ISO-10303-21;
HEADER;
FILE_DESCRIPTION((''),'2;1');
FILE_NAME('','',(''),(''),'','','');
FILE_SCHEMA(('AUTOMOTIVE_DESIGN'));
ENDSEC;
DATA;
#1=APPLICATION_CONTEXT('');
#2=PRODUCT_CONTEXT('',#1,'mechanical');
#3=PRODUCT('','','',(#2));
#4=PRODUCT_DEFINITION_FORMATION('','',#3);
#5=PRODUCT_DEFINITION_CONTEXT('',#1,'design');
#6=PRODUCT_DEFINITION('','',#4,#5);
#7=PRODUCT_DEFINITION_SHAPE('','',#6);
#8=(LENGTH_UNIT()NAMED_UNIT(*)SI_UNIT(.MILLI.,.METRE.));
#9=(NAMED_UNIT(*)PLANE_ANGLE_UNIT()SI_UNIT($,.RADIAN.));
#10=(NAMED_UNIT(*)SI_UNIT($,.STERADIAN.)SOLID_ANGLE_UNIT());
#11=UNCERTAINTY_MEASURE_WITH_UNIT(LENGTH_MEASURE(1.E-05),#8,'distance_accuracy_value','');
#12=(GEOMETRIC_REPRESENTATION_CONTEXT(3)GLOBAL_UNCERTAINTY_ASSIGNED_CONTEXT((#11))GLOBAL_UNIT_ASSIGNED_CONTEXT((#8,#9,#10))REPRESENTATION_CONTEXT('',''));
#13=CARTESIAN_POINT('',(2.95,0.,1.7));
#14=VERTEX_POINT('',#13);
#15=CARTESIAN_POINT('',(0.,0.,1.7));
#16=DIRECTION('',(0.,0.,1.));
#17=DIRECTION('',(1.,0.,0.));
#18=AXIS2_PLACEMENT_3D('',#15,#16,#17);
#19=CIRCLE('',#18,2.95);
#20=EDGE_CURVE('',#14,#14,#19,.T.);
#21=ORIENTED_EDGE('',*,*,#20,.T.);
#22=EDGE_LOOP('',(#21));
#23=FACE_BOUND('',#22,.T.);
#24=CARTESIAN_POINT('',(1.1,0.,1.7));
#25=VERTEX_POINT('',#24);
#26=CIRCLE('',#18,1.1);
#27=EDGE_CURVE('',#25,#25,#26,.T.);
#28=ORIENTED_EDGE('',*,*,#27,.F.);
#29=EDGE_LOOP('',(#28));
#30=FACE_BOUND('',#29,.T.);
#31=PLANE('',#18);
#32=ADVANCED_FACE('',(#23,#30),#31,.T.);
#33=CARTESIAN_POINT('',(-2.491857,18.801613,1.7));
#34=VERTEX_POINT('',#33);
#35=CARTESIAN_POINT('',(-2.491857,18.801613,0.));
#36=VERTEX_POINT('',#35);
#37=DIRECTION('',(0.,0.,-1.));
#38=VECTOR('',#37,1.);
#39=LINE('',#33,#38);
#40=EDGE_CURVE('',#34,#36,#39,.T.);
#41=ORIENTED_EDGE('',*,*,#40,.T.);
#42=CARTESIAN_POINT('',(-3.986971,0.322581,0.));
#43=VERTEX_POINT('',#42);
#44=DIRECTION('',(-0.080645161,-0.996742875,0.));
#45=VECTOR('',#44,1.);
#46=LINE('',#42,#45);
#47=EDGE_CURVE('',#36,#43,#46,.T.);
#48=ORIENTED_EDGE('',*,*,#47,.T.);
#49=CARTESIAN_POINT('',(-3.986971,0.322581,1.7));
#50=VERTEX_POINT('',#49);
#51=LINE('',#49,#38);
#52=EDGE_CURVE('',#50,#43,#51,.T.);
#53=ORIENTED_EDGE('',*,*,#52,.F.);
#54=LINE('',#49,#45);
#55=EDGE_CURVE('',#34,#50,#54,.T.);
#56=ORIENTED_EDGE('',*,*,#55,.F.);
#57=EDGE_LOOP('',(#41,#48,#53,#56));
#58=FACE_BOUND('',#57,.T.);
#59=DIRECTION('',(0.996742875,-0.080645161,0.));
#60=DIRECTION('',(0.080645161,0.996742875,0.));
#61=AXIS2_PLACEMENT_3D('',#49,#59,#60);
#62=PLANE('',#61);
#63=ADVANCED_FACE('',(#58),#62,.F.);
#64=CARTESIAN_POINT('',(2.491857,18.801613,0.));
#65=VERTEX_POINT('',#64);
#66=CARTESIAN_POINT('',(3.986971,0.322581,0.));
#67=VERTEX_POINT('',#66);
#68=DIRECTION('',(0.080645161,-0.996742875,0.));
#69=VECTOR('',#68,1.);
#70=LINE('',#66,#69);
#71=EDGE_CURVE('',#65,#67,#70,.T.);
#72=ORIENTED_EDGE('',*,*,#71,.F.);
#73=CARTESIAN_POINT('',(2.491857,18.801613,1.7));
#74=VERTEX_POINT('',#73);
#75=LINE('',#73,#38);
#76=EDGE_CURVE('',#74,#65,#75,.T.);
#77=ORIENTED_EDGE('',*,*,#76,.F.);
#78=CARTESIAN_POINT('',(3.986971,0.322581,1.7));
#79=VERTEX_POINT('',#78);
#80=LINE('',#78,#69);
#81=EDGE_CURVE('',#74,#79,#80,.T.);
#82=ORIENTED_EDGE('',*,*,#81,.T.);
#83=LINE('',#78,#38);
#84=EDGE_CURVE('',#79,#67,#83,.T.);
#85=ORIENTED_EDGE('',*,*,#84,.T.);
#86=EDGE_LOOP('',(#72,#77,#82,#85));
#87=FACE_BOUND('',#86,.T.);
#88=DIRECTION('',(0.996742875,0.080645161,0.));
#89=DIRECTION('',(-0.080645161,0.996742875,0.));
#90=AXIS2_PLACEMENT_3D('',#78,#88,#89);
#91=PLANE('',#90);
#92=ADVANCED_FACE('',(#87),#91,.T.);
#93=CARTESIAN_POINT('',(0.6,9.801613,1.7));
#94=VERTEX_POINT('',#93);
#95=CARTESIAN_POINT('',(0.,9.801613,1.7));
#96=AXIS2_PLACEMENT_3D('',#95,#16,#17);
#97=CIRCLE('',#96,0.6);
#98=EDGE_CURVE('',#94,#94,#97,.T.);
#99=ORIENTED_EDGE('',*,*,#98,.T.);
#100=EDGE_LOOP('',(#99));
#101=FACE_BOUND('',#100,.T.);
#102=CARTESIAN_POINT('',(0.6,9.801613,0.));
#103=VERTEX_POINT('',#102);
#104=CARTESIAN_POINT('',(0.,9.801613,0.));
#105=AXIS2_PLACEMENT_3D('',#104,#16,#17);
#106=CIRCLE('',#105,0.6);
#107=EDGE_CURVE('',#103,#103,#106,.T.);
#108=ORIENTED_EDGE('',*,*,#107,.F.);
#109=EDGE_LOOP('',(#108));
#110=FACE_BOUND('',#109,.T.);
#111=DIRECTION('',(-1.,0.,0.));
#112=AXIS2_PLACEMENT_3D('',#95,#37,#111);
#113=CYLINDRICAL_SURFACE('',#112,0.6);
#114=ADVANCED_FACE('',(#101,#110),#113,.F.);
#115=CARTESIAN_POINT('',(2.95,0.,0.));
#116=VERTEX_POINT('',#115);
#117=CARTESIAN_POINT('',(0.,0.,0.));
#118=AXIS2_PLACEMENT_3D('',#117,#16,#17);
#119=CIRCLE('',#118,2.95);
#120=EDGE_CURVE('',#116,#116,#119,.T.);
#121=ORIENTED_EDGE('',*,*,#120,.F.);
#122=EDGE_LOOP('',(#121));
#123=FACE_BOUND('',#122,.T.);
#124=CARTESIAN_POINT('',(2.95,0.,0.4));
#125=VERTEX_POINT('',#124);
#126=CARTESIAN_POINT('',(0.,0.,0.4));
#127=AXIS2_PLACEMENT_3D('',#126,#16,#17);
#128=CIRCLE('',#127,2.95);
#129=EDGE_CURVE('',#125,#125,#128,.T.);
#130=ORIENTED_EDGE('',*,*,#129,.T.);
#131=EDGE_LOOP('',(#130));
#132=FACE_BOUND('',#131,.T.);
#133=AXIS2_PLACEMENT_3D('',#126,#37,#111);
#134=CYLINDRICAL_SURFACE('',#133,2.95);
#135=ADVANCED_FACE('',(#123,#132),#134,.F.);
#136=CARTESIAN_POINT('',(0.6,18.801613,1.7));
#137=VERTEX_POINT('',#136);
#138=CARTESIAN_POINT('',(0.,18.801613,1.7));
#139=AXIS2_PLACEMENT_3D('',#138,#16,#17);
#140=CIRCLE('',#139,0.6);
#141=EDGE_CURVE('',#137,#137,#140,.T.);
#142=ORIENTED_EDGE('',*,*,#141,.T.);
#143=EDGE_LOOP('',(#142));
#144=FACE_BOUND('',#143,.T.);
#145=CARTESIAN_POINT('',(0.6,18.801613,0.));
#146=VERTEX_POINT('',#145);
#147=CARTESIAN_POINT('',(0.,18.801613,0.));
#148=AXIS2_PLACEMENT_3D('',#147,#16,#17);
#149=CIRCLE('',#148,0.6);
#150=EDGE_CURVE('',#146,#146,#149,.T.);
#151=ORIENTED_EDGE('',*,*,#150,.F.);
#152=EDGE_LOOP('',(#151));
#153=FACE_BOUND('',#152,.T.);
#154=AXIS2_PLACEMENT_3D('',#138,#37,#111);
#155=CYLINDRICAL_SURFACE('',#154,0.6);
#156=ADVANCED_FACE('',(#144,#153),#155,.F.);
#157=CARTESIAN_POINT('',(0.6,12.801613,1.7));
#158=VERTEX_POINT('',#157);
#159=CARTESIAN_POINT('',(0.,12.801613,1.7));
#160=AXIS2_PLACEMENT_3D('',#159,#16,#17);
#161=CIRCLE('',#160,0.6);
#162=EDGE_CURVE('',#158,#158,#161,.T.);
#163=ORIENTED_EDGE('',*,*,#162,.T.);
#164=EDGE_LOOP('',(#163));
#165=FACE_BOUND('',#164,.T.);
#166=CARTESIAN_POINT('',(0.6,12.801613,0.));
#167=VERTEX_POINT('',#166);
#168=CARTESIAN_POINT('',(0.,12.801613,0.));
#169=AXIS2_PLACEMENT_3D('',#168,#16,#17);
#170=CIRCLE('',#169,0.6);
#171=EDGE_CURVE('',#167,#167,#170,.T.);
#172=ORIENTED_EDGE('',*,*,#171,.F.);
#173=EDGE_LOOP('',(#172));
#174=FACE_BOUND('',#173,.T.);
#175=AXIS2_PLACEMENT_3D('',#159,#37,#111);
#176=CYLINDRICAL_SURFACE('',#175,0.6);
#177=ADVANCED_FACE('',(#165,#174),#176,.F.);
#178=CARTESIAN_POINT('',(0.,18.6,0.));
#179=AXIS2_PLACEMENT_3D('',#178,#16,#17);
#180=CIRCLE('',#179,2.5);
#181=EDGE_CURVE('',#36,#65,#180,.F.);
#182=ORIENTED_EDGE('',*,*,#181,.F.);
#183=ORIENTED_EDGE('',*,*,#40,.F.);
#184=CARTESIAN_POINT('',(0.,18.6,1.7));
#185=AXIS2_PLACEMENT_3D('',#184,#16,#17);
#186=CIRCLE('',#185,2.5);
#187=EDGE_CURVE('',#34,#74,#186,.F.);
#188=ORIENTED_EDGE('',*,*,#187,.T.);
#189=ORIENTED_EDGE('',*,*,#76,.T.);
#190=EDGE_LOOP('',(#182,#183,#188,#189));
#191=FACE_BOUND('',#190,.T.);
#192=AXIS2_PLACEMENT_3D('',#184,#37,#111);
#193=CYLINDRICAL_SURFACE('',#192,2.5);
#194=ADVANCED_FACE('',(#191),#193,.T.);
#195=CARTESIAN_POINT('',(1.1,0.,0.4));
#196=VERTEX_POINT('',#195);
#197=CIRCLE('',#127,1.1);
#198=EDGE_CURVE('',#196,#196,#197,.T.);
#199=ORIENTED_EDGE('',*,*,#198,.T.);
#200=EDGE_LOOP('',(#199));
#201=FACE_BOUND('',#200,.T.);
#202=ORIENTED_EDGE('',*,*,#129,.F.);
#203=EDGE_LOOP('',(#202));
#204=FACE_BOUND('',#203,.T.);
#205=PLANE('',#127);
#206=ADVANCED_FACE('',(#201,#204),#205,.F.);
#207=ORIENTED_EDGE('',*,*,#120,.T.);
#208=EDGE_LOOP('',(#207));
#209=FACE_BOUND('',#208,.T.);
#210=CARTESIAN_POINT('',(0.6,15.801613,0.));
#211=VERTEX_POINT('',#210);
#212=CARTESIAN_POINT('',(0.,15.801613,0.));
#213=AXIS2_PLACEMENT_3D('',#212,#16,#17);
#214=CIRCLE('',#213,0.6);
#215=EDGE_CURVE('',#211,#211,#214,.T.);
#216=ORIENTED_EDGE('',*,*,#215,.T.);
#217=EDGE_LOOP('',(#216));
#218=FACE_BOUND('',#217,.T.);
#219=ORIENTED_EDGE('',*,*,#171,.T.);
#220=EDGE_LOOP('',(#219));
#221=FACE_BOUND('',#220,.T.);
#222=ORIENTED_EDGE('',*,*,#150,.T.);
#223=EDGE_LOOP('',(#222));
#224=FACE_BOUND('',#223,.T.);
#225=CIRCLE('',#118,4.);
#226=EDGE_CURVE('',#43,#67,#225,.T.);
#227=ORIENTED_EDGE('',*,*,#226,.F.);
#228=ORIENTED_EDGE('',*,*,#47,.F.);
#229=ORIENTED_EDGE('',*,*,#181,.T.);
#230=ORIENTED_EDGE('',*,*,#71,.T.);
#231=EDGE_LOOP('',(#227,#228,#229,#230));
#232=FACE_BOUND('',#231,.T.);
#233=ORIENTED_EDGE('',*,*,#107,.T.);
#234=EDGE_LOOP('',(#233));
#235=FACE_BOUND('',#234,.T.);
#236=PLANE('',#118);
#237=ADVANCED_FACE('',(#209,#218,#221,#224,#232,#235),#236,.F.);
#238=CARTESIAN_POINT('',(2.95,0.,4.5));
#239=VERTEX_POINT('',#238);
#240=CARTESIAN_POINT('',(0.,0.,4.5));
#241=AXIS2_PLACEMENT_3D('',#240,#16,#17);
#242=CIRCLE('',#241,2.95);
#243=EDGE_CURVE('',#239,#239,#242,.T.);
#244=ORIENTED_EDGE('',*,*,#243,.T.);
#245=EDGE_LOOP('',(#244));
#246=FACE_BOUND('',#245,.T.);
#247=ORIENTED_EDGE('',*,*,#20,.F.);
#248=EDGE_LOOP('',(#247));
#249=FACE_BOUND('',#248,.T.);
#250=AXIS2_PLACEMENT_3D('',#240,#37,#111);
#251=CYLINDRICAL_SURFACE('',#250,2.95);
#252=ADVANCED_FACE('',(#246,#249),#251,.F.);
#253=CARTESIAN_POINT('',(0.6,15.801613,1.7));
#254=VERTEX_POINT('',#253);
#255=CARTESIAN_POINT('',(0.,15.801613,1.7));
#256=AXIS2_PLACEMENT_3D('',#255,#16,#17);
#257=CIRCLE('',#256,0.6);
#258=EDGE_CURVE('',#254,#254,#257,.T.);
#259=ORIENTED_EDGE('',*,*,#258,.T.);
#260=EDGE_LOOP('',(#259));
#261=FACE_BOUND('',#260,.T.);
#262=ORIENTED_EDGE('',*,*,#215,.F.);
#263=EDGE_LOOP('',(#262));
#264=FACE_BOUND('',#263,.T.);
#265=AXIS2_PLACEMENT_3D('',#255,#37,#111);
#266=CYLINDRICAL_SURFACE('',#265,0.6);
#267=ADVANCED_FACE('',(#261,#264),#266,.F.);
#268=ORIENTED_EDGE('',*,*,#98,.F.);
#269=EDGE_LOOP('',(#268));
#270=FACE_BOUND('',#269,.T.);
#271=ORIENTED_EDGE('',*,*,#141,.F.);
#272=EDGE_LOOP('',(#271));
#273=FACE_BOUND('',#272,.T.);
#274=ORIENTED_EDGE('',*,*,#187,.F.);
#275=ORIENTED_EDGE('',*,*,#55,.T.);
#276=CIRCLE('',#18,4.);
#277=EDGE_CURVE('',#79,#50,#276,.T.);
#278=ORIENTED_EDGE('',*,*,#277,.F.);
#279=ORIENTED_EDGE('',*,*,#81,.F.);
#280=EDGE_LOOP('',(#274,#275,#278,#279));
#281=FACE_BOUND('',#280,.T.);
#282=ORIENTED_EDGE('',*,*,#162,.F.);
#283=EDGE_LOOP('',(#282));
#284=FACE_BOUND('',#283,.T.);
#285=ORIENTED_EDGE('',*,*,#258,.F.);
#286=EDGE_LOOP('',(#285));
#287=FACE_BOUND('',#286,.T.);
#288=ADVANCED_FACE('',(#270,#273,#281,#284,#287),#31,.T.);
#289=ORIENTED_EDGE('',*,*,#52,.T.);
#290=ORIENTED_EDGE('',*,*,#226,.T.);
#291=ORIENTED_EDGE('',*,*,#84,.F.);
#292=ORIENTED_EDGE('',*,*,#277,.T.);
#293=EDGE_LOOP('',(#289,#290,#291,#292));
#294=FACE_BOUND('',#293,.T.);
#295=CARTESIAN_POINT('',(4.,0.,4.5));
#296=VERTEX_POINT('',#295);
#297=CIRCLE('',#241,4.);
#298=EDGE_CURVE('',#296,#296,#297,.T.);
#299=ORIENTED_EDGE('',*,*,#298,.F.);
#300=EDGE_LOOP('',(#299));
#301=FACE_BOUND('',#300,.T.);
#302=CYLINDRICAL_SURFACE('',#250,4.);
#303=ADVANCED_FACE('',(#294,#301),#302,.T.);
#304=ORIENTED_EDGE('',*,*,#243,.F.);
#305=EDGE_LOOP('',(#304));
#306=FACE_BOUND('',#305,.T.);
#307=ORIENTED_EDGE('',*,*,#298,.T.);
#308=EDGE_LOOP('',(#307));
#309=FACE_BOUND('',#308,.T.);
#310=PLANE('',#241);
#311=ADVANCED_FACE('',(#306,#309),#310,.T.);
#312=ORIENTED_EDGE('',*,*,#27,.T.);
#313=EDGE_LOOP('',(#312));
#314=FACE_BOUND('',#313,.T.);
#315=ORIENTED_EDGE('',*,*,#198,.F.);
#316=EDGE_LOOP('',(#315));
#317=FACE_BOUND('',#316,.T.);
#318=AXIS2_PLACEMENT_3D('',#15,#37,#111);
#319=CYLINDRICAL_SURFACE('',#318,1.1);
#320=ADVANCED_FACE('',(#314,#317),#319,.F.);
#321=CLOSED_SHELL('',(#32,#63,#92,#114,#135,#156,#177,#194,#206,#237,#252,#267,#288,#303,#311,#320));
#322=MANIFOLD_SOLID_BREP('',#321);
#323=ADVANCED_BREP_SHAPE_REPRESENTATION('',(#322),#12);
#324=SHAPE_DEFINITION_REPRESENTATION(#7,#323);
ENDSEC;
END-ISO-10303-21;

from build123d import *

# Parameters (mm, degrees)
SKETCH_1_R          = 4
SKETCH_1_R_2        = 2.95
EXTRUDE_1_DEPTH     = 4.5
SKETCH_1_3_R        = 2.95
SKETCH_1_3_R_2      = 1.1
EXTRUDE_2_DEPTH     = 1.7
SKETCH_1_4_R        = 2.95
SKETCH_1_4_R_2      = 1.1
CUT_EXTRUDE_1_DEPTH = 0.4
SKETCH_2_R          = 0.6
EXTRUDE_3_DEPTH     = 1.7


with BuildPart() as part:
    # Эскиз1 → Бобышка-Вытянуть1 (new body)
    with BuildSketch(Plane.XY):
        Circle(SKETCH_1_R)
        Circle(SKETCH_1_R_2, mode=Mode.SUBTRACT)
    extrude(amount=EXTRUDE_1_DEPTH)

    # Эскиз1<3> → Бобышка-Вытянуть2 (add)
    with BuildSketch(Plane.XY):
        Circle(SKETCH_1_3_R)
        Circle(SKETCH_1_3_R_2, mode=Mode.SUBTRACT)
    extrude(amount=EXTRUDE_2_DEPTH)

    # Эскиз1<4> → Вырез-Вытянуть1 (cut)
    with BuildSketch(Plane.XY):
        Circle(SKETCH_1_4_R)
        Circle(SKETCH_1_4_R_2, mode=Mode.SUBTRACT)
    extrude(amount=CUT_EXTRUDE_1_DEPTH, mode=Mode.SUBTRACT)

    # Эскиз2 → Бобышка-Вытянуть3 (add)
    with BuildSketch(Plane.XY):
        with BuildLine():
            ThreePointArc((2.491857186, 18.801612903), (0, 21.1), (-2.491857186, 18.801612903))
            Line((-2.491857186, 18.801612903), (-3.986971498, 0.322580645))
            ThreePointArc((-3.986971498, 0.322580645), (0, 4), (3.986971498, 0.322580645))
            Line((3.986971498, 0.322580645), (2.491857186, 18.801612903))
        make_face()
        with Locations((0, 9.801612903)):
            Circle(SKETCH_2_R, mode=Mode.SUBTRACT)
        with Locations((0, 12.801612903)):
            Circle(SKETCH_2_R, mode=Mode.SUBTRACT)
        with Locations((0, 15.801612903)):
            Circle(SKETCH_2_R, mode=Mode.SUBTRACT)
        with Locations((0, 18.801612903)):
            Circle(SKETCH_2_R, mode=Mode.SUBTRACT)
    extrude(amount=EXTRUDE_3_DEPTH)


solid = part.part
